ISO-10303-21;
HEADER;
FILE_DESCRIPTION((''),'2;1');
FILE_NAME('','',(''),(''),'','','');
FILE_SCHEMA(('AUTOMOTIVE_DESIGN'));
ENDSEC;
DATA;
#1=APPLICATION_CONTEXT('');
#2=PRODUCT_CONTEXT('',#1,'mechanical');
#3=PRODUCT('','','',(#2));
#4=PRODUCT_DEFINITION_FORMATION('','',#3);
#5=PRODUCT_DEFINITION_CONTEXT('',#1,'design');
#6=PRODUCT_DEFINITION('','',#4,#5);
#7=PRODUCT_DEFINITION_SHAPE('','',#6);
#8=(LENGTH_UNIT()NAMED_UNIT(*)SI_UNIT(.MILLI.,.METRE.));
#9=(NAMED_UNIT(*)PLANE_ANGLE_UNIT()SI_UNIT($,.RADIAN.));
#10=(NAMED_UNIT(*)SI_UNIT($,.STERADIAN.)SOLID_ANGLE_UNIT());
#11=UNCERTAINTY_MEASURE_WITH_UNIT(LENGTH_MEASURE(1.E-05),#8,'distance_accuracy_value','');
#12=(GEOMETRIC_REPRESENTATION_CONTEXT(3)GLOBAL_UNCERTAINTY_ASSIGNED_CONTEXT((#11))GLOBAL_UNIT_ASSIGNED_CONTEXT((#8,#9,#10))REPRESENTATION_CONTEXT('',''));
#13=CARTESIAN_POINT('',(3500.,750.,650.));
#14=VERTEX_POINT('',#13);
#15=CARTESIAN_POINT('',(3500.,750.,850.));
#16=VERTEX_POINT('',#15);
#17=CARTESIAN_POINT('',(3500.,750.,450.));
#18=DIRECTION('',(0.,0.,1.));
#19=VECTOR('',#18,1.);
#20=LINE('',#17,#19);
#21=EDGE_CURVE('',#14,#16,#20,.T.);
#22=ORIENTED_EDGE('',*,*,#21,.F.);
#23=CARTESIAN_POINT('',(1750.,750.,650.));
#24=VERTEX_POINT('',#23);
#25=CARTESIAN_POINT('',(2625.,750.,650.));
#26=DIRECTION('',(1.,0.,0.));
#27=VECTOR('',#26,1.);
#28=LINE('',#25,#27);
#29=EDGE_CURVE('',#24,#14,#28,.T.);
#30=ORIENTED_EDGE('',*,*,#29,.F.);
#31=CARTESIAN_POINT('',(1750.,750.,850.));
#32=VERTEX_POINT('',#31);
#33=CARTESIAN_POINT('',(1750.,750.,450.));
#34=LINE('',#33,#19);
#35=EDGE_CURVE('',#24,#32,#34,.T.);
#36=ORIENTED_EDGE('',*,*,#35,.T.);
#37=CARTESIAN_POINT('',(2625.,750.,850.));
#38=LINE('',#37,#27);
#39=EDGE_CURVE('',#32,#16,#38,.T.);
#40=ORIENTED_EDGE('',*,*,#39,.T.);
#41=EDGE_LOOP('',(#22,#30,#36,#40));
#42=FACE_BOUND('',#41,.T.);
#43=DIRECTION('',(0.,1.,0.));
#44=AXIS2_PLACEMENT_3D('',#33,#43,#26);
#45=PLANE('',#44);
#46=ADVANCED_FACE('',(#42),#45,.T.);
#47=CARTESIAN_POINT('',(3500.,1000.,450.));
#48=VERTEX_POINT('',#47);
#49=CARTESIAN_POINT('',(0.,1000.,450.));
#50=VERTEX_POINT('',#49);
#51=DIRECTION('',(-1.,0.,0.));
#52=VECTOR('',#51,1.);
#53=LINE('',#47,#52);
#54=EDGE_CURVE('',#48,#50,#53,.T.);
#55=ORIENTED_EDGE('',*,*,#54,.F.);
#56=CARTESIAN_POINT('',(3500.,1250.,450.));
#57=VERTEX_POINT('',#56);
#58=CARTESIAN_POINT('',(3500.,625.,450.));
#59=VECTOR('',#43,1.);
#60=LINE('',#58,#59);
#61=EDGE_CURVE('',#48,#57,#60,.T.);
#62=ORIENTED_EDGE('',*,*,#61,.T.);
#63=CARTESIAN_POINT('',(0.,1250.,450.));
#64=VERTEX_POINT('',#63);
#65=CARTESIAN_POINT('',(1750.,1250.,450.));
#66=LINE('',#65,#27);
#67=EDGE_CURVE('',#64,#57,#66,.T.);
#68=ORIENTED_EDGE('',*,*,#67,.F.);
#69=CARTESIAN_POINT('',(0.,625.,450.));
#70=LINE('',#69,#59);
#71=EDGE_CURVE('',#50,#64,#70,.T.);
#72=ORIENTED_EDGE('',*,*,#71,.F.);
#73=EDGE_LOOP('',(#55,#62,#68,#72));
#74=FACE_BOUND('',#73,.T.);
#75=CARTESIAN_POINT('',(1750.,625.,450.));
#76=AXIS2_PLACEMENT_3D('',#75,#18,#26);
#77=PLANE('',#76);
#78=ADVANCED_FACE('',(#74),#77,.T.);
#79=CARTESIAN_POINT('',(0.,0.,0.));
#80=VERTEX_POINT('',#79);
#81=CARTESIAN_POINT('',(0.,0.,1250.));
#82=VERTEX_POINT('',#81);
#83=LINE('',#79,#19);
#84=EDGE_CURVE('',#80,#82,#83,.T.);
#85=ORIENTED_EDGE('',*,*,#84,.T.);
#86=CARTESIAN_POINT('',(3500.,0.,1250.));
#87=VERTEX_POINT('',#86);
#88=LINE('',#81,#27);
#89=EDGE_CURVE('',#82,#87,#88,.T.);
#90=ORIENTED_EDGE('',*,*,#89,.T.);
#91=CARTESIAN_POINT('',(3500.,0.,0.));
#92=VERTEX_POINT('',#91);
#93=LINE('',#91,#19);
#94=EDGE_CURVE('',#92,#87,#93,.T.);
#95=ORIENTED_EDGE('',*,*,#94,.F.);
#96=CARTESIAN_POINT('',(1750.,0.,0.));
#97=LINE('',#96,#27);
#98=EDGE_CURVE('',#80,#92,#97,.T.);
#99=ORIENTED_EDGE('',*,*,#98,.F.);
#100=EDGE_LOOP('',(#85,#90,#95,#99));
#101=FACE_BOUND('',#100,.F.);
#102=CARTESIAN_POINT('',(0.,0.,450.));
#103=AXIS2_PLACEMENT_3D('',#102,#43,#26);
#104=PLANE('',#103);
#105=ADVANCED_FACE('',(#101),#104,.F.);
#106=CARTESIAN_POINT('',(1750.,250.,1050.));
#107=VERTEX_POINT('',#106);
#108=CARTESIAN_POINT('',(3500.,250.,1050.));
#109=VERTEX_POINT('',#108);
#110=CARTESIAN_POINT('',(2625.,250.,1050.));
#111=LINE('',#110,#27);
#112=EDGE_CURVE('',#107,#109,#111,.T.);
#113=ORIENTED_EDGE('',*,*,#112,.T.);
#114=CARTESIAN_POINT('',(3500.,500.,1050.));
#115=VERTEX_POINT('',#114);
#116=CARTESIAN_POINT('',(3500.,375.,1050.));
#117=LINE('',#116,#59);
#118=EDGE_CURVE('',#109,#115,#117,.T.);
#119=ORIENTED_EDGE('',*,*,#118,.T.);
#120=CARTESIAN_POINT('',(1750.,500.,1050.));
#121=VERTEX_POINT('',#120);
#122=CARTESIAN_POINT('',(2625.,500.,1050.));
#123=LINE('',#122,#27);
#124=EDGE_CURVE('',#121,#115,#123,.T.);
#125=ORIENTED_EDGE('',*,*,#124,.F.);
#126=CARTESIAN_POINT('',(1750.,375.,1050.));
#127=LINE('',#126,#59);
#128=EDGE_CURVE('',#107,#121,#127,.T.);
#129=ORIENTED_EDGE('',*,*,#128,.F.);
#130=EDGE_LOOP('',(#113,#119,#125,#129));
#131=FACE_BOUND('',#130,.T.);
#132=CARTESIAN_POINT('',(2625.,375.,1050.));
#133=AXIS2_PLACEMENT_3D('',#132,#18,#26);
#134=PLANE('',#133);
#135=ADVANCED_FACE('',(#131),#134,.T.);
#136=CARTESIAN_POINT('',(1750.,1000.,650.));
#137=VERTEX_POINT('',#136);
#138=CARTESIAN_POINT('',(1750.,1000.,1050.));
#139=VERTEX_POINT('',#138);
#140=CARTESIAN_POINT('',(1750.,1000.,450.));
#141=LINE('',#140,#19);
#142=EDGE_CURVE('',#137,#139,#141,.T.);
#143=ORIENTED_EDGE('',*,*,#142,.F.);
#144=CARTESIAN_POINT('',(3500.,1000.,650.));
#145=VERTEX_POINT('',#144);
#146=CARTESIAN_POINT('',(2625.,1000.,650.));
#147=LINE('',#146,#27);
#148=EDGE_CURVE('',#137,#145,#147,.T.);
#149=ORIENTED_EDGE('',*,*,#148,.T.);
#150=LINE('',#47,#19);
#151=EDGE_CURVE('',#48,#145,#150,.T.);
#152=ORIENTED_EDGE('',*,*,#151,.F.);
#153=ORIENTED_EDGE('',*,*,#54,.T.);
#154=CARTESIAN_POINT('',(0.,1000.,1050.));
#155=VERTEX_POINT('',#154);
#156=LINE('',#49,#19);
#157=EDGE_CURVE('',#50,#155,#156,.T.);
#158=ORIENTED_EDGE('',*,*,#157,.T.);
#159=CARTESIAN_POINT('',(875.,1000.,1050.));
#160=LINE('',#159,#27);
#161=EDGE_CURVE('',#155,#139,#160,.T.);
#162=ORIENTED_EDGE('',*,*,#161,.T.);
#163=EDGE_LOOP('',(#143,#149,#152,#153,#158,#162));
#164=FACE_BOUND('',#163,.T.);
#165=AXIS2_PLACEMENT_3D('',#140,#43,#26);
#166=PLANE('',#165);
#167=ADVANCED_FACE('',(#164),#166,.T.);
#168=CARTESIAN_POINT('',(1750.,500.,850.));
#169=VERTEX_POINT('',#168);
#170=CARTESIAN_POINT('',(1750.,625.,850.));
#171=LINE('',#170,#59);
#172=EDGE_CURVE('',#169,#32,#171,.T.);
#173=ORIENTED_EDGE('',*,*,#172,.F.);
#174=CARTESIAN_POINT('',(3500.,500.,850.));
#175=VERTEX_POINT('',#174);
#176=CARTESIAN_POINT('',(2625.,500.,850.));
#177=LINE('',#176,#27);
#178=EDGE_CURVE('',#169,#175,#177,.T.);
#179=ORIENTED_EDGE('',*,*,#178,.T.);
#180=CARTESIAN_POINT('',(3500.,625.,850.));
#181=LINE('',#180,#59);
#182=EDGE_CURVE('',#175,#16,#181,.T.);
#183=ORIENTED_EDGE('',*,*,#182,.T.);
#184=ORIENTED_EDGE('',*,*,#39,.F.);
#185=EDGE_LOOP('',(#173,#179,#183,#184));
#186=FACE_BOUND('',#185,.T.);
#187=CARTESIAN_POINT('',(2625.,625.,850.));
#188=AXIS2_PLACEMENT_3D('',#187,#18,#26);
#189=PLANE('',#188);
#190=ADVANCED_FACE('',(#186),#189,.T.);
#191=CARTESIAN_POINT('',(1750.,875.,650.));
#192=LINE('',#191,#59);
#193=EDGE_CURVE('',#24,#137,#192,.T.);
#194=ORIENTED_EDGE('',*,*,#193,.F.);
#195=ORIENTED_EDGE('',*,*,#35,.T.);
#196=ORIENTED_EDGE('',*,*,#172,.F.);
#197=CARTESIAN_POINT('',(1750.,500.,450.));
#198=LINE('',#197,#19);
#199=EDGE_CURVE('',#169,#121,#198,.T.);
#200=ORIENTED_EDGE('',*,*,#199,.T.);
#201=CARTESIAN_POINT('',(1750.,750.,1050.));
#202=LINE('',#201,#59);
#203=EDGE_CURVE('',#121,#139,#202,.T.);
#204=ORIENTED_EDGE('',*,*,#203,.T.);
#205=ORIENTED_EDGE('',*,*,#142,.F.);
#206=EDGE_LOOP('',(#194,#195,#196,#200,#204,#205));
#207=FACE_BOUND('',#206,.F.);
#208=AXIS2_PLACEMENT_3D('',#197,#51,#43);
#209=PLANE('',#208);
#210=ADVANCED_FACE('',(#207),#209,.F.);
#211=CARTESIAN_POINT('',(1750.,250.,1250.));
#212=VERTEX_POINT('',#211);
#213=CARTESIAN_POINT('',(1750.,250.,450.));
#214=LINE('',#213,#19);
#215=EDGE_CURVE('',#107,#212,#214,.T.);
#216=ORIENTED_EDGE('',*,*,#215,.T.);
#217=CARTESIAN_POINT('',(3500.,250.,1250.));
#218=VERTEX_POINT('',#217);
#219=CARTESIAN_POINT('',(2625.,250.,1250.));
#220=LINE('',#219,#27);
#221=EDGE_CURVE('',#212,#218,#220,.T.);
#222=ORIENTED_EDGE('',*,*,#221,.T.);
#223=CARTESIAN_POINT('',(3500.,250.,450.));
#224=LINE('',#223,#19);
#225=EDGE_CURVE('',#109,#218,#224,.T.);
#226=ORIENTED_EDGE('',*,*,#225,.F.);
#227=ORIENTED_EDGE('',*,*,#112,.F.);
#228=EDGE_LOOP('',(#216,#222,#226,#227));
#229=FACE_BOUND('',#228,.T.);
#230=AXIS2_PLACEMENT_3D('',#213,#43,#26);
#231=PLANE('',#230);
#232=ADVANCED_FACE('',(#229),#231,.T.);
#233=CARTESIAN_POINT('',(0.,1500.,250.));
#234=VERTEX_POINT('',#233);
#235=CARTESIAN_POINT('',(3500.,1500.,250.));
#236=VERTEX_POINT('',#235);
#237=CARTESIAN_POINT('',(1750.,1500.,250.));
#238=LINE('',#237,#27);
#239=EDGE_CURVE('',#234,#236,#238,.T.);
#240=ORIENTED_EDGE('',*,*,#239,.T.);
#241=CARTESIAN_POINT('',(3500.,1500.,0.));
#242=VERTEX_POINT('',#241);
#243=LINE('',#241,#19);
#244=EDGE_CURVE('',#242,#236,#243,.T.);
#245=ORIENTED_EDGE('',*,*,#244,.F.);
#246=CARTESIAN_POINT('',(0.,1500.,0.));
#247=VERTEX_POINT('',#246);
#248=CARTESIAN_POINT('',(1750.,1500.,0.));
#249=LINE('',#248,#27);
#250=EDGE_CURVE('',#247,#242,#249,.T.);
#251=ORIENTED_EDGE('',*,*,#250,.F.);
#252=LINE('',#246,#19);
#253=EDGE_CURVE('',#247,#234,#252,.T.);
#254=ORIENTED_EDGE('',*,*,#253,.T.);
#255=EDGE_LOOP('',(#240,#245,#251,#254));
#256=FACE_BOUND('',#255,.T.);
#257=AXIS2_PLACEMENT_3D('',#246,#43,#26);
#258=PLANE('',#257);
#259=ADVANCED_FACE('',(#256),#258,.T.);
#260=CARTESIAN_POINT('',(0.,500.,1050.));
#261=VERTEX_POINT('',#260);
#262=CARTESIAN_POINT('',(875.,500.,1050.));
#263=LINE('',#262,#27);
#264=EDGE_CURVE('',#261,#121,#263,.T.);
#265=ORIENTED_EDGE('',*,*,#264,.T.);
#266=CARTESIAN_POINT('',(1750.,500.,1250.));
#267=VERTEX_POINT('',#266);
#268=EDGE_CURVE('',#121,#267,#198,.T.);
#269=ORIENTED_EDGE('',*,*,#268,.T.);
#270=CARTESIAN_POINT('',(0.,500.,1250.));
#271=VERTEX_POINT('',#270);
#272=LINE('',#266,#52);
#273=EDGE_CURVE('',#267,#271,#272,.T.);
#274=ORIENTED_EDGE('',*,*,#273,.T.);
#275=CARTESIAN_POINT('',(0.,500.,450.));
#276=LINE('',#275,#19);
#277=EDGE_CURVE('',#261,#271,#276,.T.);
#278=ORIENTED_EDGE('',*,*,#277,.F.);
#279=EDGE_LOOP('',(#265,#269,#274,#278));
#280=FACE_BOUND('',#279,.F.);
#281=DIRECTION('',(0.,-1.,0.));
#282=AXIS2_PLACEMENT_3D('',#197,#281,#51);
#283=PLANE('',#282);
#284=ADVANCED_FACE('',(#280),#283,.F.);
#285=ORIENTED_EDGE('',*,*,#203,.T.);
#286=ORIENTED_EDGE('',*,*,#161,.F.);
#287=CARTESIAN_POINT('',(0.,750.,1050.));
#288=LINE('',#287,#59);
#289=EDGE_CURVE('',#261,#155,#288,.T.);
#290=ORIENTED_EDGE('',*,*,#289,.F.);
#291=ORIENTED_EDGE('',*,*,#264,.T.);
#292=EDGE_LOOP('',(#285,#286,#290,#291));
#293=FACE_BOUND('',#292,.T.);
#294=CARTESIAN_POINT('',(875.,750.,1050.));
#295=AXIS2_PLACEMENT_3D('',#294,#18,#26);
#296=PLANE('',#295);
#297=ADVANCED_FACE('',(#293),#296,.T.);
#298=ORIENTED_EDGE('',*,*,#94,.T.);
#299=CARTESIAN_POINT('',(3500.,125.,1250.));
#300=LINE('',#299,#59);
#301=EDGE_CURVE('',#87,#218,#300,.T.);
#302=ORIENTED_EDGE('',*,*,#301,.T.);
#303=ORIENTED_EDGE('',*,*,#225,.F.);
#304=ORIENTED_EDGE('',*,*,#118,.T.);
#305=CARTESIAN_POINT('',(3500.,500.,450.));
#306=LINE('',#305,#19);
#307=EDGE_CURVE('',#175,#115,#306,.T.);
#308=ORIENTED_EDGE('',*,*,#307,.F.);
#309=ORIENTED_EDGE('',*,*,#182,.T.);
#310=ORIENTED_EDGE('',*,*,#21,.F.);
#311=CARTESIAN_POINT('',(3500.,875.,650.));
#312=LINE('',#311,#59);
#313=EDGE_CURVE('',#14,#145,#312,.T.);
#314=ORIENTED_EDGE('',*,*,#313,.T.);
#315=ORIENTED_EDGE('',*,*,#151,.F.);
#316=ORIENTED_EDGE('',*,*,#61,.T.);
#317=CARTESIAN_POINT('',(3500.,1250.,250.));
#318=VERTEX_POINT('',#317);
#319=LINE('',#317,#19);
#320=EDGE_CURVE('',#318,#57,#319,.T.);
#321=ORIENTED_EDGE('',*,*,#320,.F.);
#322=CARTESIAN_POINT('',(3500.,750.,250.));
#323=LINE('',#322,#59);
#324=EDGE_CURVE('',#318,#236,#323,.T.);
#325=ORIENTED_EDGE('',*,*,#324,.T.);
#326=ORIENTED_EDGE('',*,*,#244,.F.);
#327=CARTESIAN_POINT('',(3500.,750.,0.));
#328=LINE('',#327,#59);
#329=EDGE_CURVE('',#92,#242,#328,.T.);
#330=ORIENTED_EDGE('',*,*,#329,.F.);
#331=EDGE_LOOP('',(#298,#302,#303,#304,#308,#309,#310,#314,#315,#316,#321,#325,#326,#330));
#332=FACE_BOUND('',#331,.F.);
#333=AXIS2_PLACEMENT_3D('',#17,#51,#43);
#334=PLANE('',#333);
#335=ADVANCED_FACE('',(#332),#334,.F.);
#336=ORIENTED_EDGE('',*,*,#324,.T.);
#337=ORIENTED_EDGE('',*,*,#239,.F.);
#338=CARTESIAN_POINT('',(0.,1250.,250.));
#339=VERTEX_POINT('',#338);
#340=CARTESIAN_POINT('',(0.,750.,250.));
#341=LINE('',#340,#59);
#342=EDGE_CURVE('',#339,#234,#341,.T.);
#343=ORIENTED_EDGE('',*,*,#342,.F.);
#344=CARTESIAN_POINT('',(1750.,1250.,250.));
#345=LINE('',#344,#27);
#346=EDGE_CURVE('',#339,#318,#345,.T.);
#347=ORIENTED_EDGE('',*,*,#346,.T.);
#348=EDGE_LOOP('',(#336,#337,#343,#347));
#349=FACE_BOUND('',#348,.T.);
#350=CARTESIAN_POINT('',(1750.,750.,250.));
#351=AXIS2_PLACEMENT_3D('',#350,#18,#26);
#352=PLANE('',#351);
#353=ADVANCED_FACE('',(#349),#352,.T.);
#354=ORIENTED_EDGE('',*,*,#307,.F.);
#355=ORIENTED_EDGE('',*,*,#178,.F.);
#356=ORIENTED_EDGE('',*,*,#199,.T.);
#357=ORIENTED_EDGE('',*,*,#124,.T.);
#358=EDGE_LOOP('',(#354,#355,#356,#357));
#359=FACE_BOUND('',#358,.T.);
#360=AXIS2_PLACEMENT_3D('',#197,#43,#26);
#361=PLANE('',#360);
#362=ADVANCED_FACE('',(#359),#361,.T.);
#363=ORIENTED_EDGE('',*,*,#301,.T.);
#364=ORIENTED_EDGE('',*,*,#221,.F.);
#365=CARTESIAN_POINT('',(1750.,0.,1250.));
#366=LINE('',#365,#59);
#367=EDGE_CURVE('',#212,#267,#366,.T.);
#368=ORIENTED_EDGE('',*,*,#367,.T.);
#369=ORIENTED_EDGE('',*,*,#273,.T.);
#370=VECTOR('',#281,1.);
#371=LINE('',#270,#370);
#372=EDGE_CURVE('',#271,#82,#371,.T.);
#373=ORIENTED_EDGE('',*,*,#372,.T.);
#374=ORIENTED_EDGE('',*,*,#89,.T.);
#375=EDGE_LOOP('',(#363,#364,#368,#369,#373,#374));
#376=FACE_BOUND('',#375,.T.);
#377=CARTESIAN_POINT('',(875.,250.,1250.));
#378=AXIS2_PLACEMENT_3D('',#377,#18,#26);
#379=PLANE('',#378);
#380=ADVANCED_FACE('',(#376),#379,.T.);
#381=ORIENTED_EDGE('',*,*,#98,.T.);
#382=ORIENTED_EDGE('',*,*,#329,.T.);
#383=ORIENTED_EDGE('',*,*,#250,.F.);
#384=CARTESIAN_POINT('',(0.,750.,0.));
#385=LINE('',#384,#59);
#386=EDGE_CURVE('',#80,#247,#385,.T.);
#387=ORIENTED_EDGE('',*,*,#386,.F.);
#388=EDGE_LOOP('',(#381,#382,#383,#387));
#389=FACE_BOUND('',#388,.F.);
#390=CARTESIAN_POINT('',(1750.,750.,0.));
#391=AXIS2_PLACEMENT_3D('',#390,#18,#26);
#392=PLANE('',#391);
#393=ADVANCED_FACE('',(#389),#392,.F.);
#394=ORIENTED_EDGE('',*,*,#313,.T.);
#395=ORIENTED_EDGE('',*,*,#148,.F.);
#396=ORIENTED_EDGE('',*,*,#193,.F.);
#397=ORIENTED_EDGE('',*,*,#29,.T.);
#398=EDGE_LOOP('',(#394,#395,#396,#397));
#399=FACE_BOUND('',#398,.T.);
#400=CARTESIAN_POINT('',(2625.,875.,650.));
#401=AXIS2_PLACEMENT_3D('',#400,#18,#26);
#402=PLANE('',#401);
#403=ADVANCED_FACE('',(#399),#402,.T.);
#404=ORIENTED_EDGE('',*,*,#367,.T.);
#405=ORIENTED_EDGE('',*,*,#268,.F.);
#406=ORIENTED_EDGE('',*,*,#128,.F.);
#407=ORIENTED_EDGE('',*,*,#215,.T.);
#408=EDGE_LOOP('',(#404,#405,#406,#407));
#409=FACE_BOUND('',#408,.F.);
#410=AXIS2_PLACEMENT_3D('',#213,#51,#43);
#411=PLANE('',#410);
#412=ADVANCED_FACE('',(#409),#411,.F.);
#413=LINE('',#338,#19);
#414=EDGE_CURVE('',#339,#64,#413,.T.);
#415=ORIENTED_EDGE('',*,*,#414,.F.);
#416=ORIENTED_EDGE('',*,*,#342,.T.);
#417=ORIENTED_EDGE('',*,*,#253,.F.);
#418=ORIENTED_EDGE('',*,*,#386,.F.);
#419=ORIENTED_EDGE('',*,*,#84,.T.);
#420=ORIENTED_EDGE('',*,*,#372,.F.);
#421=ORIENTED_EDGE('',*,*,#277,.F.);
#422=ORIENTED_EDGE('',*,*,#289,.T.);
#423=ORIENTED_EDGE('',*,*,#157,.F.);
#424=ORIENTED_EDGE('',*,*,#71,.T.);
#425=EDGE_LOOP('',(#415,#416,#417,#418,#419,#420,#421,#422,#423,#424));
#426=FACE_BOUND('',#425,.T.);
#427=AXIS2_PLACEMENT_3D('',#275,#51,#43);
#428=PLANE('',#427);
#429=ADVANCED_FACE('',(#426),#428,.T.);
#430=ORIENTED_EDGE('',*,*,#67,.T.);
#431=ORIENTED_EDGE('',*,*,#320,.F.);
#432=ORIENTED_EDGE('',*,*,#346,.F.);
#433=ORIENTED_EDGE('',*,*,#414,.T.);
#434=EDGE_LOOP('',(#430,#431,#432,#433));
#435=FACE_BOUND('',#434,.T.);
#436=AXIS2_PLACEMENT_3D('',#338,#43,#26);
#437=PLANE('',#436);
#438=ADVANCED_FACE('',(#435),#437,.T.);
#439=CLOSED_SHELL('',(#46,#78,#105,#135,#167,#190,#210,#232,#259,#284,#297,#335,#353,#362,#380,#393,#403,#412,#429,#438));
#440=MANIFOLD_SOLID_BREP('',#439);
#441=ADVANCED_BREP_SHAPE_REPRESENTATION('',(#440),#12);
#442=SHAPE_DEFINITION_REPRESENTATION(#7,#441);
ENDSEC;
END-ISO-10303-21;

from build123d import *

# Parameters (mm, degrees)
F0_W      = 3500
F0_H      = 1500
F1_DEPTH  = 250
F2_W      = 3500
F2_H      = 1250
F3_DEPTH  = 200
F4_W      = 1750
F4_H      = 250
F5_DEPTH  = 800
F6_W      = 1750
F6_H      = 500
F6_H_2    = 250
F7_DEPTH  = 600
F8_W      = 1750
F8_H      = 250
F9_DEPTH  = 400
F10_W     = 1750
F10_H     = 250
F11_DEPTH = 200


with BuildPart() as f1:
    # F0 (on Top) → F1 (new body)
    with BuildSketch(Plane.XY):
        with Locations((1750, 750)):
            Rectangle(F0_W, F0_H)
    extrude(amount=F1_DEPTH)

    # F2 (on face) → F3 (join)
    with BuildSketch(Plane.XY.offset(250)):
        with Locations((1750, 625)):
            Rectangle(F2_W, F2_H)
    extrude(amount=F3_DEPTH)

    # F4 (on face) → F5 (join)
    with BuildSketch(Plane.XY.offset(450)):
        Polygon((0, 500), (0, 0), (1750, 0), (1750, 250), (1750, 500), align=None)
        with Locations((2625, 125)):
            Rectangle(F4_W, F4_H)
    extrude(amount=F5_DEPTH)

    # F6 (on face) → F7 (join)
    with BuildSketch(Plane.XY.offset(450)):
        with Locations((875, 750)):
            Rectangle(F6_W, F6_H)
        with Locations((2625, 375)):
            Rectangle(F6_W, F6_H_2)
    extrude(amount=F7_DEPTH)

    # F8 (on face) → F9 (join)
    with BuildSketch(Plane.XY.offset(450)):
        with Locations((2625, 625)):
            Rectangle(F8_W, F8_H)
    extrude(amount=F9_DEPTH)

    # F10 (on face) → F11 (join)
    with BuildSketch(Plane.XY.offset(450)):
        with Locations((2625, 875)):
            Rectangle(F10_W, F10_H)
    extrude(amount=F11_DEPTH)


solid = f1.part
